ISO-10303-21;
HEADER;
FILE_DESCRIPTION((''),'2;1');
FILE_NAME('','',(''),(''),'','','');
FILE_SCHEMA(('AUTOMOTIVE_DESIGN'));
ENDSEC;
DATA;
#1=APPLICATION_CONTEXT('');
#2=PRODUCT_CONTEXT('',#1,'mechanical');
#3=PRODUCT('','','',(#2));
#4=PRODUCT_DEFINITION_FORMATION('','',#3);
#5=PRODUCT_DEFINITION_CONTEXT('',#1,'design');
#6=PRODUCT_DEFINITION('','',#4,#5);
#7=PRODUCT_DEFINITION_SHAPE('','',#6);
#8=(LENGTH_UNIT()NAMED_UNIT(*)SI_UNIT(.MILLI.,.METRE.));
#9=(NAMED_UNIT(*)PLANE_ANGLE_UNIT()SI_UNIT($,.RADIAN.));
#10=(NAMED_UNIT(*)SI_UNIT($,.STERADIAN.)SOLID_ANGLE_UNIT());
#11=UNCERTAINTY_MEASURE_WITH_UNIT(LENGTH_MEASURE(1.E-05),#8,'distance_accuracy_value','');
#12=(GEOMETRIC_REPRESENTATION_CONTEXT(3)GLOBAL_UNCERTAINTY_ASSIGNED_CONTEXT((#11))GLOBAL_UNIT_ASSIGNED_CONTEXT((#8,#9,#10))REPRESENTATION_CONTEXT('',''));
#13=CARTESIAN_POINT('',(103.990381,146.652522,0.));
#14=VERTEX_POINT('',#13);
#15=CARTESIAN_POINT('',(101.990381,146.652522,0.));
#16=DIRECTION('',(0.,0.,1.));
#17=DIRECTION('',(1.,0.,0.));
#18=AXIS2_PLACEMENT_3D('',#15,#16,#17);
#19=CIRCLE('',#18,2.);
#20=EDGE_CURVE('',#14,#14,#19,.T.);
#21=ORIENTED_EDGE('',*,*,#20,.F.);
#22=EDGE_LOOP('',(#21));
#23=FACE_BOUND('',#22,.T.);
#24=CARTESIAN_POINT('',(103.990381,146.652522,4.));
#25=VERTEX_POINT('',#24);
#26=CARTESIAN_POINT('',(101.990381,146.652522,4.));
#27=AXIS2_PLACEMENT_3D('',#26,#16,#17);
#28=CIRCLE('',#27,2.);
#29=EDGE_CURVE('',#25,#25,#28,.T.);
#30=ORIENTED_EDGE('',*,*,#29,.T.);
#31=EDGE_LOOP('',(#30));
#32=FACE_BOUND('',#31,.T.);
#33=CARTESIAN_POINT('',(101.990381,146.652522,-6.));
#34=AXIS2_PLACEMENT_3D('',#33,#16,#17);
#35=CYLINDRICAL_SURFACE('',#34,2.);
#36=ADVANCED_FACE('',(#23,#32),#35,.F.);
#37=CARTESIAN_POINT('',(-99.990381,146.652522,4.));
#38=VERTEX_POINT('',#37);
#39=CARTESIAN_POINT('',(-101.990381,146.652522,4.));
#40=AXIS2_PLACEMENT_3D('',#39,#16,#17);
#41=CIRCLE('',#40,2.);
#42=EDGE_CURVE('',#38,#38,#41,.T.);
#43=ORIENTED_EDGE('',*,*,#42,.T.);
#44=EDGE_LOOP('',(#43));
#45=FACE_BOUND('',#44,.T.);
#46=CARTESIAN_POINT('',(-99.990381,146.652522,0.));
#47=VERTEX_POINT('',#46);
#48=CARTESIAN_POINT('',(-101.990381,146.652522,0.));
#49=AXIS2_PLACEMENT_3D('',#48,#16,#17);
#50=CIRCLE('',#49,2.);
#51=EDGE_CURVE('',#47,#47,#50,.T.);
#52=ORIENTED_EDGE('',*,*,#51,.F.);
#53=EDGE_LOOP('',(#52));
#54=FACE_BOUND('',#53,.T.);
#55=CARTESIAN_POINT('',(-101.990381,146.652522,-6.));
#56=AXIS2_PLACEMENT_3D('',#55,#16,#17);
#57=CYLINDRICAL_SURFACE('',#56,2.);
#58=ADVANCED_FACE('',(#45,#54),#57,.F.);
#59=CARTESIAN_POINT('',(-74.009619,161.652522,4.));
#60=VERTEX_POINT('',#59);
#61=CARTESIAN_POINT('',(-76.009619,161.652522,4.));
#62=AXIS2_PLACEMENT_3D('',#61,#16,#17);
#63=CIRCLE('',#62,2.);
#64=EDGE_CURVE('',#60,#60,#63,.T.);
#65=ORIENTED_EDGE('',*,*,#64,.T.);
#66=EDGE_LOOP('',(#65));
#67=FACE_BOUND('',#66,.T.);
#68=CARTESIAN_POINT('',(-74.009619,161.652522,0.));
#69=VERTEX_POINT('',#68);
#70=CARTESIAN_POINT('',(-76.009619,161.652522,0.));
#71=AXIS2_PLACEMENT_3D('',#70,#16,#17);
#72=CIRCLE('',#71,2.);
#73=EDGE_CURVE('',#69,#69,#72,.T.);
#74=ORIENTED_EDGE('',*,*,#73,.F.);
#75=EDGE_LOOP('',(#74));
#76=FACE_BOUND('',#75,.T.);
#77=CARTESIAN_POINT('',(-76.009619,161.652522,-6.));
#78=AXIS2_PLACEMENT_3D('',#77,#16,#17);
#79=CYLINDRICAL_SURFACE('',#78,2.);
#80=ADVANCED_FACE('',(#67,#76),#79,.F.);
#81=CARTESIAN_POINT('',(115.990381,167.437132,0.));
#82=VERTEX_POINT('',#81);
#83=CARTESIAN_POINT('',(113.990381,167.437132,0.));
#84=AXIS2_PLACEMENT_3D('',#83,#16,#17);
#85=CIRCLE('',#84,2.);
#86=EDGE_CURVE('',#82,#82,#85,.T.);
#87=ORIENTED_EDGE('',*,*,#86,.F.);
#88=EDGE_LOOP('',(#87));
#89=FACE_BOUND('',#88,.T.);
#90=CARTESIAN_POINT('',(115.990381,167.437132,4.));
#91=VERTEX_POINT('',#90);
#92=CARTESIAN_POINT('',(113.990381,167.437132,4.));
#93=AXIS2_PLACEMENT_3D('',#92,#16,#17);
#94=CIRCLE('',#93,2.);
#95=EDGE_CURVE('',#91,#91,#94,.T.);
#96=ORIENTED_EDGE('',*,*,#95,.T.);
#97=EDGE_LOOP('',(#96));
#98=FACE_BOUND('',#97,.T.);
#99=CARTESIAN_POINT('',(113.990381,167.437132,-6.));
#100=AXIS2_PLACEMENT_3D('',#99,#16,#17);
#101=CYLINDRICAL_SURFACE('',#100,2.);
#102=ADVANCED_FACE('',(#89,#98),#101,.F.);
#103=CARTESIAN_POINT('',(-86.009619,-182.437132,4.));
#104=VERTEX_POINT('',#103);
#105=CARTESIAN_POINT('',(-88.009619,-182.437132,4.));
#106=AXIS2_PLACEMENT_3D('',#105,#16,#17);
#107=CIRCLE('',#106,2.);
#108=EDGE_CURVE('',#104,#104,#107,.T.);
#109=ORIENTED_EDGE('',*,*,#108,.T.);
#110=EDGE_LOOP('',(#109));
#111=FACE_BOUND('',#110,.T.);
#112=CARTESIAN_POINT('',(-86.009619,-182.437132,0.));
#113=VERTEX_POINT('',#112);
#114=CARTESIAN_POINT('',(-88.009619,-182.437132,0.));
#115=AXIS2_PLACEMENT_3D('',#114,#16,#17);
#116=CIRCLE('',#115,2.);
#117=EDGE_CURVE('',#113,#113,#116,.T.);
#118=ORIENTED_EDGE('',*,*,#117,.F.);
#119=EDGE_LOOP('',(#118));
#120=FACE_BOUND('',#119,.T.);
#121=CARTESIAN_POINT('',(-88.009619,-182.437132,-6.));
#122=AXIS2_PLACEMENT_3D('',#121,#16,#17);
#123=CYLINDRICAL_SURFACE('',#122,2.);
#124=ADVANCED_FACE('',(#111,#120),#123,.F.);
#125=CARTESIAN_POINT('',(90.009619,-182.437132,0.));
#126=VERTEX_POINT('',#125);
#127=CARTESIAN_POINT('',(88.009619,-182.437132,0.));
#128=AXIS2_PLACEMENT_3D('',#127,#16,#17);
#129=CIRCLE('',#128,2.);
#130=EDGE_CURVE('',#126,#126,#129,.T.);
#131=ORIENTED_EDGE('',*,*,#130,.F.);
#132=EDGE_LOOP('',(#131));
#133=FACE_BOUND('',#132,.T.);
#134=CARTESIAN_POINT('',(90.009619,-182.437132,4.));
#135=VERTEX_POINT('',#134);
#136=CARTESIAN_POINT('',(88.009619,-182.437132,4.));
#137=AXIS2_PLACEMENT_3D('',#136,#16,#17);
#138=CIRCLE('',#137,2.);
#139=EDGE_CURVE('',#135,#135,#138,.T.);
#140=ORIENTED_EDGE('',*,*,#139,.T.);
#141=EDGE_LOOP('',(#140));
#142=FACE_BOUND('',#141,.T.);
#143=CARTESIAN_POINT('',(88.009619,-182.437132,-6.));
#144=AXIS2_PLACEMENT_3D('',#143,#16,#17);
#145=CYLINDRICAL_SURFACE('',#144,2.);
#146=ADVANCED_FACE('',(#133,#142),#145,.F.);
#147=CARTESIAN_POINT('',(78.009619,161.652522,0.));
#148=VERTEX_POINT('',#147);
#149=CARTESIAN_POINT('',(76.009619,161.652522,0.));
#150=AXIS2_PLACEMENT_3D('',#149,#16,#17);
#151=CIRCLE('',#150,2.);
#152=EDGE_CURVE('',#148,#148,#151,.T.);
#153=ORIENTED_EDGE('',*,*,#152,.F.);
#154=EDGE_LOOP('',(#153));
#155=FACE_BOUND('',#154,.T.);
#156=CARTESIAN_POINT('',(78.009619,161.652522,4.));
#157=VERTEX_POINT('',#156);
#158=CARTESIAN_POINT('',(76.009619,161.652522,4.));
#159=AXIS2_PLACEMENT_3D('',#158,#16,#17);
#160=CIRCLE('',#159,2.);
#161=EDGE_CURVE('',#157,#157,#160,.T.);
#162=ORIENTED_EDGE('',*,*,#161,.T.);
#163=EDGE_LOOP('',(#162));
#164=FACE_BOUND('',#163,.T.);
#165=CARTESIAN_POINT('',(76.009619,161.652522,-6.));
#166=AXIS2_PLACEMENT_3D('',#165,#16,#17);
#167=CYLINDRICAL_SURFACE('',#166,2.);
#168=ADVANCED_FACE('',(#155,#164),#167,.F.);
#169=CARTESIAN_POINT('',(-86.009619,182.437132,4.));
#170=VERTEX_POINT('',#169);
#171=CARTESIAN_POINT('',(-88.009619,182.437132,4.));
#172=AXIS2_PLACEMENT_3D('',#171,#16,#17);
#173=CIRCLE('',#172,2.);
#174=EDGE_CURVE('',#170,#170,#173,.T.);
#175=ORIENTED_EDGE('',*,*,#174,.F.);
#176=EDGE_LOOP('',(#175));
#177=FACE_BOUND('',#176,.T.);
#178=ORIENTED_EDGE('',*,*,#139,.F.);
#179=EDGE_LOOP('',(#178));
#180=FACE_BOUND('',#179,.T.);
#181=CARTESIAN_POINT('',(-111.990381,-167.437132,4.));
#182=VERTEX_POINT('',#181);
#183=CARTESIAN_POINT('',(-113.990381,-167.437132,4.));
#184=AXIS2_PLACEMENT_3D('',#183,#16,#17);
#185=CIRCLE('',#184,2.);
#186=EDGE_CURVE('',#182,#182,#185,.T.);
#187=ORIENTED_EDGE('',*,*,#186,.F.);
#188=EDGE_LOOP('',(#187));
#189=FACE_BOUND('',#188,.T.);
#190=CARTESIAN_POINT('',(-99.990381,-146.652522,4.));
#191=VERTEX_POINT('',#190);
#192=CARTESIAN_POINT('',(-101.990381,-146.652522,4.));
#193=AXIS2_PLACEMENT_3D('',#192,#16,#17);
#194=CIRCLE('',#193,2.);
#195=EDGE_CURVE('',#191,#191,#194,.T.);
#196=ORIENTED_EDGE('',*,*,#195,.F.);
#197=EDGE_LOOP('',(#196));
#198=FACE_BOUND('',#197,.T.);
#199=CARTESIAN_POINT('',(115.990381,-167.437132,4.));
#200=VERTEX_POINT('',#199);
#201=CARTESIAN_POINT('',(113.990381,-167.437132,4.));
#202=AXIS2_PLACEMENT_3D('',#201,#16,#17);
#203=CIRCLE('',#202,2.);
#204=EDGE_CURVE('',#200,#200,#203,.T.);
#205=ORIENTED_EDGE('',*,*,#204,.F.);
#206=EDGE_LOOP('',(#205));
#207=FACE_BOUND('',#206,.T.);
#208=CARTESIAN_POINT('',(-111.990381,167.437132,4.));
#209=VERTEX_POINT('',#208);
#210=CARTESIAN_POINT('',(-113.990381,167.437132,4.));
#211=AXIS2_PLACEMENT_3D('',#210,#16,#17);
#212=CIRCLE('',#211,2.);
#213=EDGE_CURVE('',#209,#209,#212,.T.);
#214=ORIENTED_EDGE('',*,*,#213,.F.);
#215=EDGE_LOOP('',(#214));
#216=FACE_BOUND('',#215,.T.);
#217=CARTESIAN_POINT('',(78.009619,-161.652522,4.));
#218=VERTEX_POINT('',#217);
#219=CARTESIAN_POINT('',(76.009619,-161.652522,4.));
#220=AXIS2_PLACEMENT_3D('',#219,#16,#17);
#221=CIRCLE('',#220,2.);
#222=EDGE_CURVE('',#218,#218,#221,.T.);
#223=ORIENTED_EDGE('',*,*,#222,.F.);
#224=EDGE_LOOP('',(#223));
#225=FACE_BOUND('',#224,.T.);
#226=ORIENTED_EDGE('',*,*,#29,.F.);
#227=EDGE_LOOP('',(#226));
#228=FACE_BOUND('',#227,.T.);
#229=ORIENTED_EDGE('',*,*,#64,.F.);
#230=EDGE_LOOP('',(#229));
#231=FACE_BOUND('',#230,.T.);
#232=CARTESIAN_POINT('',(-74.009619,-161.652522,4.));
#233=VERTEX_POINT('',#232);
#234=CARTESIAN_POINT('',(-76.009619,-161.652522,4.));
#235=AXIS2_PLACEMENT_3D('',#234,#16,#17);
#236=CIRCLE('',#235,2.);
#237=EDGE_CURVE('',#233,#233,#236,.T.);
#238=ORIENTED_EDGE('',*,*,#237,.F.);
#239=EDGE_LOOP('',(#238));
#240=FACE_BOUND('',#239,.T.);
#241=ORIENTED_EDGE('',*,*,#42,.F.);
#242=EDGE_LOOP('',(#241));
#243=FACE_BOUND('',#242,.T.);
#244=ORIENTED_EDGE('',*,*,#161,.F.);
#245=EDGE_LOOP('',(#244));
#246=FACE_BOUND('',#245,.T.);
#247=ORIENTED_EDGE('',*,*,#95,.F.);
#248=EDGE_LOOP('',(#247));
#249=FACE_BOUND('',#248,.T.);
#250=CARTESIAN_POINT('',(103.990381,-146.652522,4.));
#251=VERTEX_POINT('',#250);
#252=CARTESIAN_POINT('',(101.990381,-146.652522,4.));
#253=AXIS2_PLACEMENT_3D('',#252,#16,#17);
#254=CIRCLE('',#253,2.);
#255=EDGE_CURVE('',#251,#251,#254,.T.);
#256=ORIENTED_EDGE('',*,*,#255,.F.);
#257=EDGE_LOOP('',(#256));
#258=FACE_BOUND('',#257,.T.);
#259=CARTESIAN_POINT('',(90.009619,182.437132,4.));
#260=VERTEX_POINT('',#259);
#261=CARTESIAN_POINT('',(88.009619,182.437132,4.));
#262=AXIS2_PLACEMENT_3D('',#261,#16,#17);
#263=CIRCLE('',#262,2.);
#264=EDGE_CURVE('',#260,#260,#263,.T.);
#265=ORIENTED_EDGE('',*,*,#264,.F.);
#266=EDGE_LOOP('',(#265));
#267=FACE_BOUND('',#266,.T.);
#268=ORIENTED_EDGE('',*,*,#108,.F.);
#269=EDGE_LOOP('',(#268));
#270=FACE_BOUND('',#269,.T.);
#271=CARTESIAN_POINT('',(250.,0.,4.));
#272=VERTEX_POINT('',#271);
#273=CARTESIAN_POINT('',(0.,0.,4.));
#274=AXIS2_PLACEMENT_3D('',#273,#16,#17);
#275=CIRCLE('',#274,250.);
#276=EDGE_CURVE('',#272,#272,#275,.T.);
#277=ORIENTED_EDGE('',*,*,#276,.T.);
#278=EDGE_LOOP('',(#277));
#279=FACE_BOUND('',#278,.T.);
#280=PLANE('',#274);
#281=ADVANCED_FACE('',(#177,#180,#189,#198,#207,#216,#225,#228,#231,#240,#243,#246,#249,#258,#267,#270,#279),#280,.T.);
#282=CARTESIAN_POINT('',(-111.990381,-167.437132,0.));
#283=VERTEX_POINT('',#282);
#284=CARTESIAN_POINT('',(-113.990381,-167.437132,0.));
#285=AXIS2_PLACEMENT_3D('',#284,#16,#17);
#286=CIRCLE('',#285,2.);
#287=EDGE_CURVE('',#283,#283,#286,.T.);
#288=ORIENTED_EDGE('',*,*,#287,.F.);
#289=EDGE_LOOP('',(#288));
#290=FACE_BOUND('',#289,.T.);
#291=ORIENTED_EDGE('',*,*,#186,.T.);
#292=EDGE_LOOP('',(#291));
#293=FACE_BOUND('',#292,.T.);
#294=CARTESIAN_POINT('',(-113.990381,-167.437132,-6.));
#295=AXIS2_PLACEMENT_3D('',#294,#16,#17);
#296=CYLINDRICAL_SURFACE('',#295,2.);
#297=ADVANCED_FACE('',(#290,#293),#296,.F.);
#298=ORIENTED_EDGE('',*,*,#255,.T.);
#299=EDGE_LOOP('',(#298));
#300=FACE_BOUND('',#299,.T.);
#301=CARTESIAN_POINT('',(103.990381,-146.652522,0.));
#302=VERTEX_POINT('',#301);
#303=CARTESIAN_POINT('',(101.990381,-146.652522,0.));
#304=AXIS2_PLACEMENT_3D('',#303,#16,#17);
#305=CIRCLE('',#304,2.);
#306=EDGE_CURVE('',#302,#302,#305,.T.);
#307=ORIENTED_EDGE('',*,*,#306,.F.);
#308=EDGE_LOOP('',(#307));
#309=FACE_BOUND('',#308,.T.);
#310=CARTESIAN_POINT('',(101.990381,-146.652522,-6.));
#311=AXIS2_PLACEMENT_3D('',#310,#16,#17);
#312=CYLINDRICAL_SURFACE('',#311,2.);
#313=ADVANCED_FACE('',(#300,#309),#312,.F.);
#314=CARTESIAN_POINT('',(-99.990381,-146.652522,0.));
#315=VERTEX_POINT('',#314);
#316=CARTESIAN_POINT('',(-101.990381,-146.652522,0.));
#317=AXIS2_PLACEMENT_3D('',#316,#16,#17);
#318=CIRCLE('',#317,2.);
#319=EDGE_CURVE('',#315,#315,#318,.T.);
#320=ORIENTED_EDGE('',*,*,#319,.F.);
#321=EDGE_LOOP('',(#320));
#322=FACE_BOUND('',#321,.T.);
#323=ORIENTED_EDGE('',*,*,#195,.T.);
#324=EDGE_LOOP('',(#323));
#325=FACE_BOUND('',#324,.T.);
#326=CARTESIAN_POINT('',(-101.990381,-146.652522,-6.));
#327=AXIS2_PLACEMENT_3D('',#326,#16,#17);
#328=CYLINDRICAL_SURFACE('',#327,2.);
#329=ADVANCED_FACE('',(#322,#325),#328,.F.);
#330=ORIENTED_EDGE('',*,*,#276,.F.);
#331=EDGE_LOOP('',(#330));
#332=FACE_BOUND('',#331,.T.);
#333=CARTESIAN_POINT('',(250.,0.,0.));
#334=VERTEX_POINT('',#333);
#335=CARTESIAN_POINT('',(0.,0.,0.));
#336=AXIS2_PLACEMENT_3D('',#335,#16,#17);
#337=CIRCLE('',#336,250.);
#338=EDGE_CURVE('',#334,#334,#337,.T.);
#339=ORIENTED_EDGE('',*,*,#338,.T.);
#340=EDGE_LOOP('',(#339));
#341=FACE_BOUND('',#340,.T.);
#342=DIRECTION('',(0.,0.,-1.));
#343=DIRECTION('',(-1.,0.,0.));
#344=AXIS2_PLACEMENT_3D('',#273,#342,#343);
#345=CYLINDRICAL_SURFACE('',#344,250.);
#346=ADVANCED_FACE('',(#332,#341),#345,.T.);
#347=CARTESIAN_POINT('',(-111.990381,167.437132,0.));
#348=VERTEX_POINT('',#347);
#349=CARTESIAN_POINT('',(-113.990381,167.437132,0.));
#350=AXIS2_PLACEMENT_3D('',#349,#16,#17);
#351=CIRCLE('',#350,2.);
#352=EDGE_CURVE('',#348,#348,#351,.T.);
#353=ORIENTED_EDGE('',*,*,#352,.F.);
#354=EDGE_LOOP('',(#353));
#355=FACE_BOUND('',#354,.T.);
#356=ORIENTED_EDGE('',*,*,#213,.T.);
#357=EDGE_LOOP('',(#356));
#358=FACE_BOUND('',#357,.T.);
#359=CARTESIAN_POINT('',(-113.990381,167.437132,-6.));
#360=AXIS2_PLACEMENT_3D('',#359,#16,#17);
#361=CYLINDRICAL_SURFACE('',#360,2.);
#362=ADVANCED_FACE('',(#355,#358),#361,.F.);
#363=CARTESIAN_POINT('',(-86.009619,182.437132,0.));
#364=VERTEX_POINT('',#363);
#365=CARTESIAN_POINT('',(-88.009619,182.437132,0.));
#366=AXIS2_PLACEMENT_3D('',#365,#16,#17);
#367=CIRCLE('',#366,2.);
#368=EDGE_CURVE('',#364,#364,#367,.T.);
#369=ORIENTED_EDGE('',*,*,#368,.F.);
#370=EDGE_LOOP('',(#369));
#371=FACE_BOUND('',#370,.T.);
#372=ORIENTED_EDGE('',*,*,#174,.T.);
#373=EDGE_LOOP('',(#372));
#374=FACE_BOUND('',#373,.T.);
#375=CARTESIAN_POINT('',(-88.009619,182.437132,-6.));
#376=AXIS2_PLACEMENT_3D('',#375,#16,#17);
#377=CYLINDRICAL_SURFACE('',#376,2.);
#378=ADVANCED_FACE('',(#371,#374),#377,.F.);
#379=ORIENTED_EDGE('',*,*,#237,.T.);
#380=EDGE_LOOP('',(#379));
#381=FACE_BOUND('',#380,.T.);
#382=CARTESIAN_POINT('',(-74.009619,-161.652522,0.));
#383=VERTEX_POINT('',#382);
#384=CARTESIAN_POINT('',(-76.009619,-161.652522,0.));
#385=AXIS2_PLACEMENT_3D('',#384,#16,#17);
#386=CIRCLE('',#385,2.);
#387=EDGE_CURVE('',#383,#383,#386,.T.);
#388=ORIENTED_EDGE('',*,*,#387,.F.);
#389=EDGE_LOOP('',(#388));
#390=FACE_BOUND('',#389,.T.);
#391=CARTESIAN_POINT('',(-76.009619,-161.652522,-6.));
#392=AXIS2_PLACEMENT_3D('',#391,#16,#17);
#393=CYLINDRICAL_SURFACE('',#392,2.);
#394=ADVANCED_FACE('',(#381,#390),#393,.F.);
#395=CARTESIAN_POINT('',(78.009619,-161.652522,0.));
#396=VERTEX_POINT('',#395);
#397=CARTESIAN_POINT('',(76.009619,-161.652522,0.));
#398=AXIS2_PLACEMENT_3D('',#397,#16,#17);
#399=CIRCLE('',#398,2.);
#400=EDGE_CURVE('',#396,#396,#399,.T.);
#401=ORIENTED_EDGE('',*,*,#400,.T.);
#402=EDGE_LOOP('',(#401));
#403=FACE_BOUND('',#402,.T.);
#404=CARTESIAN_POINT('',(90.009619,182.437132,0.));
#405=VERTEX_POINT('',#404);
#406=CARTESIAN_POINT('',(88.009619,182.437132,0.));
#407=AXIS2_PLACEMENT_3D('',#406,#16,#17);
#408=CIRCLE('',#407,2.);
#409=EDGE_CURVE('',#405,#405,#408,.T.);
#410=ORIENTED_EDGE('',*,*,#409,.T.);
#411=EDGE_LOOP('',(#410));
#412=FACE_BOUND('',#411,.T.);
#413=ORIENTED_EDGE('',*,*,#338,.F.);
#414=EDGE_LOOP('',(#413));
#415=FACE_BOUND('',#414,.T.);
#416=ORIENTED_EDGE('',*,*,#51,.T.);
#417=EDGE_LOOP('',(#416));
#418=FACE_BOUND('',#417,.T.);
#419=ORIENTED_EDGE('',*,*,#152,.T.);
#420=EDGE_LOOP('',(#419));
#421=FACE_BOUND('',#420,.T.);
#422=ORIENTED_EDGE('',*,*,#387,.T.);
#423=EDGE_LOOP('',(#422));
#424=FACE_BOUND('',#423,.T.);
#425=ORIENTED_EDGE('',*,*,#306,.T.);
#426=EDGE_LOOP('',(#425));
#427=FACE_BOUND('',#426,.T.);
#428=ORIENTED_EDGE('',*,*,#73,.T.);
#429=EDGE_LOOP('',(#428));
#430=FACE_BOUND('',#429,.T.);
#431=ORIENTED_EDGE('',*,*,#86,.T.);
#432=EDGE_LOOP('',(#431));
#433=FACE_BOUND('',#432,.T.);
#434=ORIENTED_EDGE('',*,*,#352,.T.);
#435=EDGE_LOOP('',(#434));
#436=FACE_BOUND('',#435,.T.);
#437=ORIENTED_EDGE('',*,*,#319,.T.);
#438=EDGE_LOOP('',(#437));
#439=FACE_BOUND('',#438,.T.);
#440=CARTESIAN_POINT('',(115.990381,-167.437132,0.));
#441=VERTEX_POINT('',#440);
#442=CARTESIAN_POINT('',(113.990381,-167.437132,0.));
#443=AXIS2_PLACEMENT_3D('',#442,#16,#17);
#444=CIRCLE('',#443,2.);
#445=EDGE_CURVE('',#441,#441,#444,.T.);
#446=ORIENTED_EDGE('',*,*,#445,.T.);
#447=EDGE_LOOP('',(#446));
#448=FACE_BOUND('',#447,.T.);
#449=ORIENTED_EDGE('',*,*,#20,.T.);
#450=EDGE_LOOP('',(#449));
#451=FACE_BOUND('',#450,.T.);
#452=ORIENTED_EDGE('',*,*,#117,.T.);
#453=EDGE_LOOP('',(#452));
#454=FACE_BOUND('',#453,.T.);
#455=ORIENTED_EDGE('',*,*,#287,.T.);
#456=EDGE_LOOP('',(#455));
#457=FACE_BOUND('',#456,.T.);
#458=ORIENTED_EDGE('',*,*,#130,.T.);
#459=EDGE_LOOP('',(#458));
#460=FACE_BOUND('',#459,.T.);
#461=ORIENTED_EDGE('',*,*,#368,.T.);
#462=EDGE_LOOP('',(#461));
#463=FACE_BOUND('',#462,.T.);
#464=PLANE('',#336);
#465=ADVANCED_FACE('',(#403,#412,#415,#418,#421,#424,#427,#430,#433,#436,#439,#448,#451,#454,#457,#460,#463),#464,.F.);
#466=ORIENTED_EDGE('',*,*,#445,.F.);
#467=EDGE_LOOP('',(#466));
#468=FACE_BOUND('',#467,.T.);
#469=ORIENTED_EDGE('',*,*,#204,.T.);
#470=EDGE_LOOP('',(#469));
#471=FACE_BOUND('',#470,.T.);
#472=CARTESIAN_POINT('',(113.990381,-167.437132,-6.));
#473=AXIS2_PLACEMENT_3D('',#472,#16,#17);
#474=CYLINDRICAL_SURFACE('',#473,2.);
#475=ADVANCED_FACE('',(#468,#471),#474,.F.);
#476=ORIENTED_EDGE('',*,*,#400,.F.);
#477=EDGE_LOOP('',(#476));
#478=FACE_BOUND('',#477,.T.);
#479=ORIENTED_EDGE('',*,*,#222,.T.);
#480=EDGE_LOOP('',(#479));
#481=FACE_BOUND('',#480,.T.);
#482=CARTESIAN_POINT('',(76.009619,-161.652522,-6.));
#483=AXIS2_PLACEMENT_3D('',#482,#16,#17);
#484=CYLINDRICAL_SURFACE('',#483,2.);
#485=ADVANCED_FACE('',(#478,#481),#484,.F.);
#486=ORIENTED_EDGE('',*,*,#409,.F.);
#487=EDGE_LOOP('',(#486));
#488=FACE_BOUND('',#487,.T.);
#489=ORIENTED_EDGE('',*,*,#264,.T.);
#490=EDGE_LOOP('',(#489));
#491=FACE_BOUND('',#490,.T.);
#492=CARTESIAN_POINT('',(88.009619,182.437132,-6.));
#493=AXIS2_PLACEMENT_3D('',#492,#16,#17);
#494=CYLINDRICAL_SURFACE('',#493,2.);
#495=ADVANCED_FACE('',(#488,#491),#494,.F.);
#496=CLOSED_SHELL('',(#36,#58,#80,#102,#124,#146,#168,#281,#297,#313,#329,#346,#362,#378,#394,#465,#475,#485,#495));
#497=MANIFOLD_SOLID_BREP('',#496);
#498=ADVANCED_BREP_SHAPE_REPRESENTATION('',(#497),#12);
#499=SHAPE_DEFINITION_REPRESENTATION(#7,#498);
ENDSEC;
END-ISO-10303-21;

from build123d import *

# Parameters (mm, degrees)
SKETCH1_R           = 250
BOSS_EXTRUDE1_DEPTH = 4
SKETCH5_R           = 2
CUT_EXTRUDE3_DEPTH  = 10


with BuildPart() as part:
    # Sketch1 → Boss-Extrude1 (new body)
    with BuildSketch(Plane.XY):
        Circle(SKETCH1_R)
    extrude(amount=BOSS_EXTRUDE1_DEPTH)

    # Sketch5 → Cut-Extrude3 (cut)
    with BuildSketch(Plane.XY.offset(4)):
        with Locations((-101.990381057, 146.652521874)):
            Circle(SKETCH5_R)
        with Locations((-76.009618943, 161.652521874)):
            Circle(SKETCH5_R)
        with Locations((-113.990381057, 167.437131564)):
            Circle(SKETCH5_R)
        with Locations((-88.009618943, 182.437131564)):
            Circle(SKETCH5_R)
        with Locations((76.009618943, 161.652521874)):
            Circle(SKETCH5_R)
        with Locations((101.990381057, 146.652521874)):
            Circle(SKETCH5_R)
        with Locations((88.009618943, 182.437131564)):
            Circle(SKETCH5_R)
        with Locations((113.990381057, 167.437131564)):
            Circle(SKETCH5_R)
        with Locations((101.990381057, -146.652521874)):
            Circle(SKETCH5_R)
        with Locations((76.009618943, -161.652521874)):
            Circle(SKETCH5_R)
        with Locations((113.990381057, -167.437131564)):
            Circle(SKETCH5_R)
        with Locations((88.009618943, -182.437131564)):
            Circle(SKETCH5_R)
        with Locations((-76.009618943, -161.652521874)):
            Circle(SKETCH5_R)
        with Locations((-101.990381057, -146.652521874)):
            Circle(SKETCH5_R)
        with Locations((-88.009618943, -182.437131564)):
            Circle(SKETCH5_R)
        with Locations((-113.990381057, -167.437131564)):
            Circle(SKETCH5_R)
    extrude(amount=-CUT_EXTRUDE3_DEPTH, mode=Mode.SUBTRACT)


solid = part.part
